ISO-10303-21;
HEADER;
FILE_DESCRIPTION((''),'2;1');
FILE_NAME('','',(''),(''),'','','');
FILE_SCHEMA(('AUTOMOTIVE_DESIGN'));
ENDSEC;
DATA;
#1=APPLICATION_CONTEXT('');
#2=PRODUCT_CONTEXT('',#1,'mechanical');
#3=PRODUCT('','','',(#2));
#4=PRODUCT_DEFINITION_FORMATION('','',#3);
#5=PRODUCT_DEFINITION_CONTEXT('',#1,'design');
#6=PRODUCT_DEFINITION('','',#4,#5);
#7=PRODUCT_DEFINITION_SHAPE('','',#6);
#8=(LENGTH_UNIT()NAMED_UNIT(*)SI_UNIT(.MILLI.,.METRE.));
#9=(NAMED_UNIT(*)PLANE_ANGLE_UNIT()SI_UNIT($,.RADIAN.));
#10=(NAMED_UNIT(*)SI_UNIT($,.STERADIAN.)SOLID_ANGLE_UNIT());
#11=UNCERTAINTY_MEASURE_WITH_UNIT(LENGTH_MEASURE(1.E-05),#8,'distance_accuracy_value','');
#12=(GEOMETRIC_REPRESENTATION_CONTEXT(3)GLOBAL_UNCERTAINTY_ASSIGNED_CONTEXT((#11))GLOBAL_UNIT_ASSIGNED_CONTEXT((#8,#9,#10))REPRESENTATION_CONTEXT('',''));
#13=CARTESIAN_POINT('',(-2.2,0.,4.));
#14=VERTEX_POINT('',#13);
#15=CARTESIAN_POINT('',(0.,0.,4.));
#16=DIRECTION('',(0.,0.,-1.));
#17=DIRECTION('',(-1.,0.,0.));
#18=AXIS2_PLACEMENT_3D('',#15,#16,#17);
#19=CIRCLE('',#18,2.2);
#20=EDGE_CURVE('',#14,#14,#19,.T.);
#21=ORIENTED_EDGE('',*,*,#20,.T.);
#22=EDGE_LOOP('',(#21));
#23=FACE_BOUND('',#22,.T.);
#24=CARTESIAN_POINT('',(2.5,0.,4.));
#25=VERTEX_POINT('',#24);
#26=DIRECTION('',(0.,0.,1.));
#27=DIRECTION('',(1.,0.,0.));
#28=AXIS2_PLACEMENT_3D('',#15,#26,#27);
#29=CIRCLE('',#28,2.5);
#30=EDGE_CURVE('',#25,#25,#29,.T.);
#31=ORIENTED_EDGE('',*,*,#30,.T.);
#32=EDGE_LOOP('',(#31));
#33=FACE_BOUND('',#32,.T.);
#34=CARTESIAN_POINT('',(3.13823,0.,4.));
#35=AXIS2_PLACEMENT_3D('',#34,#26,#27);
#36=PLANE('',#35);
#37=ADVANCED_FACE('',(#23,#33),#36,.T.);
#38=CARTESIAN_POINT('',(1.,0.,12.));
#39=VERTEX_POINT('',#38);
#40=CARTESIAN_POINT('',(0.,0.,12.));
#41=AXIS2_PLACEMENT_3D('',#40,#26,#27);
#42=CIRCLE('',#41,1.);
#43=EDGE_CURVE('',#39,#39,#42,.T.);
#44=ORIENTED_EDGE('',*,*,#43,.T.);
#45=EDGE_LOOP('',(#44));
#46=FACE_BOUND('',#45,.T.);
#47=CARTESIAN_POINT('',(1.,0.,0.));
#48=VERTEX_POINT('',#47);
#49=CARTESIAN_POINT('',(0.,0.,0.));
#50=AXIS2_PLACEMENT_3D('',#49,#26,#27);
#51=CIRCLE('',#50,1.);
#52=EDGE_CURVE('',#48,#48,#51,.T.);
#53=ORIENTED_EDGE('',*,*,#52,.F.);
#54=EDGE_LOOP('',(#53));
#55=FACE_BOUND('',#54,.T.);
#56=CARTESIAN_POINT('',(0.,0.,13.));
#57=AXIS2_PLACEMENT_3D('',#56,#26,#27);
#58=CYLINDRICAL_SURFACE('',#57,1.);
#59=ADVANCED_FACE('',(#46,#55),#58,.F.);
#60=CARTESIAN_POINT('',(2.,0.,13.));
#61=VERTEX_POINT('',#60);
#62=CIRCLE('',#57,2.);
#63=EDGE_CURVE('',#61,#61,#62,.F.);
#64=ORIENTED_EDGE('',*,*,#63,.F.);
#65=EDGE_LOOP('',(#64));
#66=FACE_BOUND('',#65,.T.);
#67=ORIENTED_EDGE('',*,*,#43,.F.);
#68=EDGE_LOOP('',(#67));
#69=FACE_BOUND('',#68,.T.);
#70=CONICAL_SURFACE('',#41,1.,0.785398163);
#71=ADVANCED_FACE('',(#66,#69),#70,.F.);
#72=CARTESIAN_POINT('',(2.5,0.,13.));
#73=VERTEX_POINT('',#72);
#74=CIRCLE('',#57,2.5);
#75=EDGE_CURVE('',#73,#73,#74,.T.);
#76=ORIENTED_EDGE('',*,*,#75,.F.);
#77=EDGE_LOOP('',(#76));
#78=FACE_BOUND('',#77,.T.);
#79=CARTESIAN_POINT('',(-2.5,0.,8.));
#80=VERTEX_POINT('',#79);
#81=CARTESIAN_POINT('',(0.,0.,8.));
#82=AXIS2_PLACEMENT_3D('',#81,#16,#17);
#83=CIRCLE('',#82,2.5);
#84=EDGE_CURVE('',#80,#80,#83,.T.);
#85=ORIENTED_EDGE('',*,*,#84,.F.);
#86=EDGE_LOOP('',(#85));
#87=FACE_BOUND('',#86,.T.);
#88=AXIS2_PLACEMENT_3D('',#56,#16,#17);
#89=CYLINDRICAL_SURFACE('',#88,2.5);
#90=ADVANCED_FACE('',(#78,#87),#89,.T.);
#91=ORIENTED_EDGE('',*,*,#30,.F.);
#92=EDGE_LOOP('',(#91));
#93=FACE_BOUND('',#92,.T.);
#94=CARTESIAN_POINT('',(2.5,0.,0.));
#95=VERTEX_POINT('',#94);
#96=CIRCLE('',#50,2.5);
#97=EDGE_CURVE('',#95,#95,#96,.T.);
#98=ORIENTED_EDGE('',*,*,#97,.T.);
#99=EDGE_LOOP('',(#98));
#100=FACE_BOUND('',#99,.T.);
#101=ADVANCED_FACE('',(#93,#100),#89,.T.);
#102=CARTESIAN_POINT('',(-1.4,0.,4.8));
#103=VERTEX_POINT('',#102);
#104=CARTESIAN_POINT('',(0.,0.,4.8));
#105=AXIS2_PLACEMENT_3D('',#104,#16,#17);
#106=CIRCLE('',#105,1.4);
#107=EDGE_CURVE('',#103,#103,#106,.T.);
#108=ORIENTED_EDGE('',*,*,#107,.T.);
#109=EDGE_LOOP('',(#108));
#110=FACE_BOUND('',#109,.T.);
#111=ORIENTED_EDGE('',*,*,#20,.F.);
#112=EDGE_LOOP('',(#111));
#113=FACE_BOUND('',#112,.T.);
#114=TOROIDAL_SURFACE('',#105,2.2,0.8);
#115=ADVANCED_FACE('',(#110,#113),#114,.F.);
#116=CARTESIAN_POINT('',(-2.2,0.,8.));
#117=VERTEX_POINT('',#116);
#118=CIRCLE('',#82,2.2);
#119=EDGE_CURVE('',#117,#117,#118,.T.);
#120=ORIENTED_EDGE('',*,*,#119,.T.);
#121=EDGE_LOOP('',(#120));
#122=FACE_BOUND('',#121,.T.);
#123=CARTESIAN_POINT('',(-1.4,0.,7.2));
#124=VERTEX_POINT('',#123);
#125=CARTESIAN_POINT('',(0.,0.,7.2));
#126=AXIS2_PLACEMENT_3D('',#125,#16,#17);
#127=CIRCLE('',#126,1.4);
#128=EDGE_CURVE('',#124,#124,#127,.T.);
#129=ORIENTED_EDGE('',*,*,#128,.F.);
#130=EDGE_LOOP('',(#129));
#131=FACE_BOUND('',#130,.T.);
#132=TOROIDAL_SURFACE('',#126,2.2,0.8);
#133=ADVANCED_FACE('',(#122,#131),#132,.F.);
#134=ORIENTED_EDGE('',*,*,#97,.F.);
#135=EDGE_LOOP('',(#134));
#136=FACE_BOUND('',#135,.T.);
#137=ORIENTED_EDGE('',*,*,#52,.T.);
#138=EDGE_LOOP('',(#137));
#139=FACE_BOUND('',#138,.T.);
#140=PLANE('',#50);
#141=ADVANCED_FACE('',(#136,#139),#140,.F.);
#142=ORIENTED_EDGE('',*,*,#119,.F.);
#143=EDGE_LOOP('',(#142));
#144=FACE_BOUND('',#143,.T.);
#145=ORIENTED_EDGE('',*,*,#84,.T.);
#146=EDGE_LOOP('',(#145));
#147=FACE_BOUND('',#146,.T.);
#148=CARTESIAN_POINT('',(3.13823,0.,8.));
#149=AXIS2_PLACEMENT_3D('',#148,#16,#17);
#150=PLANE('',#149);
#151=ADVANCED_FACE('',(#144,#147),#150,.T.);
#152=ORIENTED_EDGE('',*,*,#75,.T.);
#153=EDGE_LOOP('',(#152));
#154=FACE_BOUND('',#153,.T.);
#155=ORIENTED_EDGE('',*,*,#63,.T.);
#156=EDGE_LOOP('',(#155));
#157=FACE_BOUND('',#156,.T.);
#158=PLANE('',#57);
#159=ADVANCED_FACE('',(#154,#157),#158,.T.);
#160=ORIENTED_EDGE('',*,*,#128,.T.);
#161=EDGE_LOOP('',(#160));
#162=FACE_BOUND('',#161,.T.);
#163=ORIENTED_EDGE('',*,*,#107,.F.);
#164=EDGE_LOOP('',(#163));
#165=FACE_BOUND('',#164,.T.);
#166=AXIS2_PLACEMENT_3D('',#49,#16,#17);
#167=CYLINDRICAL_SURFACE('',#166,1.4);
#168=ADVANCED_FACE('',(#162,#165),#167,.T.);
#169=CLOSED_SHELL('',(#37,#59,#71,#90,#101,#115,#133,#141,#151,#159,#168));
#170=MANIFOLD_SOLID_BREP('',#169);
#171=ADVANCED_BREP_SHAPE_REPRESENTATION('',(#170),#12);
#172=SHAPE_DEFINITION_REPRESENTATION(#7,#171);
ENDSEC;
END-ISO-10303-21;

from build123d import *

# Parameters (mm, degrees)
SKETCH1_R                = 2.5
BOSS_EXTRUDE1_DEPTH      = 13
F_2_0_2_DIAMETER_HOLE1_D = 2
CHAMFER2_SIZE            = 1


with BuildPart() as part:
    # Sketch1 → Boss-Extrude1 (new body)
    with BuildSketch(Plane.XY):
        Circle(SKETCH1_R)
    extrude(amount=BOSS_EXTRUDE1_DEPTH)

    # Sketch3 → Cut-Revolve1 (revolve, cut)
    with BuildSketch(Plane(origin=(0, 0, 0), x_dir=(1, 0, 0), z_dir=(0, 1, 0))):
        with BuildLine():
            Line((3.138230266, -4), (2.2, -4))
            ThreePointArc((2.2, -4), (1.634314575, -4.234314575), (1.4, -4.8))
            Line((1.4, -4.8), (1.4, -7.2))
            ThreePointArc((1.4, -7.2), (1.634314575, -7.765685425), (2.2, -8))
            Line((2.2, -8), (3.138230266, -8))
            Line((3.138230266, -8), (3.138230266, -4))
        make_face()
    revolve(axis=Axis((0, 0, 0), (0, 0, 1)), mode=Mode.SUBTRACT)

    # Ø2.0 (2) Diameter Hole1 (through all)
    with Locations(Plane.XY.offset(13)):
        with Locations((0, 0)):
            Hole(F_2_0_2_DIAMETER_HOLE1_D / 2)

    # Chamfer2
    chamfer2_edges = [part.edges().sort_by_distance(p)[0] for p in [
        (1, 0, 13),
    ]]
    chamfer(chamfer2_edges, length=CHAMFER2_SIZE)


solid = part.part
